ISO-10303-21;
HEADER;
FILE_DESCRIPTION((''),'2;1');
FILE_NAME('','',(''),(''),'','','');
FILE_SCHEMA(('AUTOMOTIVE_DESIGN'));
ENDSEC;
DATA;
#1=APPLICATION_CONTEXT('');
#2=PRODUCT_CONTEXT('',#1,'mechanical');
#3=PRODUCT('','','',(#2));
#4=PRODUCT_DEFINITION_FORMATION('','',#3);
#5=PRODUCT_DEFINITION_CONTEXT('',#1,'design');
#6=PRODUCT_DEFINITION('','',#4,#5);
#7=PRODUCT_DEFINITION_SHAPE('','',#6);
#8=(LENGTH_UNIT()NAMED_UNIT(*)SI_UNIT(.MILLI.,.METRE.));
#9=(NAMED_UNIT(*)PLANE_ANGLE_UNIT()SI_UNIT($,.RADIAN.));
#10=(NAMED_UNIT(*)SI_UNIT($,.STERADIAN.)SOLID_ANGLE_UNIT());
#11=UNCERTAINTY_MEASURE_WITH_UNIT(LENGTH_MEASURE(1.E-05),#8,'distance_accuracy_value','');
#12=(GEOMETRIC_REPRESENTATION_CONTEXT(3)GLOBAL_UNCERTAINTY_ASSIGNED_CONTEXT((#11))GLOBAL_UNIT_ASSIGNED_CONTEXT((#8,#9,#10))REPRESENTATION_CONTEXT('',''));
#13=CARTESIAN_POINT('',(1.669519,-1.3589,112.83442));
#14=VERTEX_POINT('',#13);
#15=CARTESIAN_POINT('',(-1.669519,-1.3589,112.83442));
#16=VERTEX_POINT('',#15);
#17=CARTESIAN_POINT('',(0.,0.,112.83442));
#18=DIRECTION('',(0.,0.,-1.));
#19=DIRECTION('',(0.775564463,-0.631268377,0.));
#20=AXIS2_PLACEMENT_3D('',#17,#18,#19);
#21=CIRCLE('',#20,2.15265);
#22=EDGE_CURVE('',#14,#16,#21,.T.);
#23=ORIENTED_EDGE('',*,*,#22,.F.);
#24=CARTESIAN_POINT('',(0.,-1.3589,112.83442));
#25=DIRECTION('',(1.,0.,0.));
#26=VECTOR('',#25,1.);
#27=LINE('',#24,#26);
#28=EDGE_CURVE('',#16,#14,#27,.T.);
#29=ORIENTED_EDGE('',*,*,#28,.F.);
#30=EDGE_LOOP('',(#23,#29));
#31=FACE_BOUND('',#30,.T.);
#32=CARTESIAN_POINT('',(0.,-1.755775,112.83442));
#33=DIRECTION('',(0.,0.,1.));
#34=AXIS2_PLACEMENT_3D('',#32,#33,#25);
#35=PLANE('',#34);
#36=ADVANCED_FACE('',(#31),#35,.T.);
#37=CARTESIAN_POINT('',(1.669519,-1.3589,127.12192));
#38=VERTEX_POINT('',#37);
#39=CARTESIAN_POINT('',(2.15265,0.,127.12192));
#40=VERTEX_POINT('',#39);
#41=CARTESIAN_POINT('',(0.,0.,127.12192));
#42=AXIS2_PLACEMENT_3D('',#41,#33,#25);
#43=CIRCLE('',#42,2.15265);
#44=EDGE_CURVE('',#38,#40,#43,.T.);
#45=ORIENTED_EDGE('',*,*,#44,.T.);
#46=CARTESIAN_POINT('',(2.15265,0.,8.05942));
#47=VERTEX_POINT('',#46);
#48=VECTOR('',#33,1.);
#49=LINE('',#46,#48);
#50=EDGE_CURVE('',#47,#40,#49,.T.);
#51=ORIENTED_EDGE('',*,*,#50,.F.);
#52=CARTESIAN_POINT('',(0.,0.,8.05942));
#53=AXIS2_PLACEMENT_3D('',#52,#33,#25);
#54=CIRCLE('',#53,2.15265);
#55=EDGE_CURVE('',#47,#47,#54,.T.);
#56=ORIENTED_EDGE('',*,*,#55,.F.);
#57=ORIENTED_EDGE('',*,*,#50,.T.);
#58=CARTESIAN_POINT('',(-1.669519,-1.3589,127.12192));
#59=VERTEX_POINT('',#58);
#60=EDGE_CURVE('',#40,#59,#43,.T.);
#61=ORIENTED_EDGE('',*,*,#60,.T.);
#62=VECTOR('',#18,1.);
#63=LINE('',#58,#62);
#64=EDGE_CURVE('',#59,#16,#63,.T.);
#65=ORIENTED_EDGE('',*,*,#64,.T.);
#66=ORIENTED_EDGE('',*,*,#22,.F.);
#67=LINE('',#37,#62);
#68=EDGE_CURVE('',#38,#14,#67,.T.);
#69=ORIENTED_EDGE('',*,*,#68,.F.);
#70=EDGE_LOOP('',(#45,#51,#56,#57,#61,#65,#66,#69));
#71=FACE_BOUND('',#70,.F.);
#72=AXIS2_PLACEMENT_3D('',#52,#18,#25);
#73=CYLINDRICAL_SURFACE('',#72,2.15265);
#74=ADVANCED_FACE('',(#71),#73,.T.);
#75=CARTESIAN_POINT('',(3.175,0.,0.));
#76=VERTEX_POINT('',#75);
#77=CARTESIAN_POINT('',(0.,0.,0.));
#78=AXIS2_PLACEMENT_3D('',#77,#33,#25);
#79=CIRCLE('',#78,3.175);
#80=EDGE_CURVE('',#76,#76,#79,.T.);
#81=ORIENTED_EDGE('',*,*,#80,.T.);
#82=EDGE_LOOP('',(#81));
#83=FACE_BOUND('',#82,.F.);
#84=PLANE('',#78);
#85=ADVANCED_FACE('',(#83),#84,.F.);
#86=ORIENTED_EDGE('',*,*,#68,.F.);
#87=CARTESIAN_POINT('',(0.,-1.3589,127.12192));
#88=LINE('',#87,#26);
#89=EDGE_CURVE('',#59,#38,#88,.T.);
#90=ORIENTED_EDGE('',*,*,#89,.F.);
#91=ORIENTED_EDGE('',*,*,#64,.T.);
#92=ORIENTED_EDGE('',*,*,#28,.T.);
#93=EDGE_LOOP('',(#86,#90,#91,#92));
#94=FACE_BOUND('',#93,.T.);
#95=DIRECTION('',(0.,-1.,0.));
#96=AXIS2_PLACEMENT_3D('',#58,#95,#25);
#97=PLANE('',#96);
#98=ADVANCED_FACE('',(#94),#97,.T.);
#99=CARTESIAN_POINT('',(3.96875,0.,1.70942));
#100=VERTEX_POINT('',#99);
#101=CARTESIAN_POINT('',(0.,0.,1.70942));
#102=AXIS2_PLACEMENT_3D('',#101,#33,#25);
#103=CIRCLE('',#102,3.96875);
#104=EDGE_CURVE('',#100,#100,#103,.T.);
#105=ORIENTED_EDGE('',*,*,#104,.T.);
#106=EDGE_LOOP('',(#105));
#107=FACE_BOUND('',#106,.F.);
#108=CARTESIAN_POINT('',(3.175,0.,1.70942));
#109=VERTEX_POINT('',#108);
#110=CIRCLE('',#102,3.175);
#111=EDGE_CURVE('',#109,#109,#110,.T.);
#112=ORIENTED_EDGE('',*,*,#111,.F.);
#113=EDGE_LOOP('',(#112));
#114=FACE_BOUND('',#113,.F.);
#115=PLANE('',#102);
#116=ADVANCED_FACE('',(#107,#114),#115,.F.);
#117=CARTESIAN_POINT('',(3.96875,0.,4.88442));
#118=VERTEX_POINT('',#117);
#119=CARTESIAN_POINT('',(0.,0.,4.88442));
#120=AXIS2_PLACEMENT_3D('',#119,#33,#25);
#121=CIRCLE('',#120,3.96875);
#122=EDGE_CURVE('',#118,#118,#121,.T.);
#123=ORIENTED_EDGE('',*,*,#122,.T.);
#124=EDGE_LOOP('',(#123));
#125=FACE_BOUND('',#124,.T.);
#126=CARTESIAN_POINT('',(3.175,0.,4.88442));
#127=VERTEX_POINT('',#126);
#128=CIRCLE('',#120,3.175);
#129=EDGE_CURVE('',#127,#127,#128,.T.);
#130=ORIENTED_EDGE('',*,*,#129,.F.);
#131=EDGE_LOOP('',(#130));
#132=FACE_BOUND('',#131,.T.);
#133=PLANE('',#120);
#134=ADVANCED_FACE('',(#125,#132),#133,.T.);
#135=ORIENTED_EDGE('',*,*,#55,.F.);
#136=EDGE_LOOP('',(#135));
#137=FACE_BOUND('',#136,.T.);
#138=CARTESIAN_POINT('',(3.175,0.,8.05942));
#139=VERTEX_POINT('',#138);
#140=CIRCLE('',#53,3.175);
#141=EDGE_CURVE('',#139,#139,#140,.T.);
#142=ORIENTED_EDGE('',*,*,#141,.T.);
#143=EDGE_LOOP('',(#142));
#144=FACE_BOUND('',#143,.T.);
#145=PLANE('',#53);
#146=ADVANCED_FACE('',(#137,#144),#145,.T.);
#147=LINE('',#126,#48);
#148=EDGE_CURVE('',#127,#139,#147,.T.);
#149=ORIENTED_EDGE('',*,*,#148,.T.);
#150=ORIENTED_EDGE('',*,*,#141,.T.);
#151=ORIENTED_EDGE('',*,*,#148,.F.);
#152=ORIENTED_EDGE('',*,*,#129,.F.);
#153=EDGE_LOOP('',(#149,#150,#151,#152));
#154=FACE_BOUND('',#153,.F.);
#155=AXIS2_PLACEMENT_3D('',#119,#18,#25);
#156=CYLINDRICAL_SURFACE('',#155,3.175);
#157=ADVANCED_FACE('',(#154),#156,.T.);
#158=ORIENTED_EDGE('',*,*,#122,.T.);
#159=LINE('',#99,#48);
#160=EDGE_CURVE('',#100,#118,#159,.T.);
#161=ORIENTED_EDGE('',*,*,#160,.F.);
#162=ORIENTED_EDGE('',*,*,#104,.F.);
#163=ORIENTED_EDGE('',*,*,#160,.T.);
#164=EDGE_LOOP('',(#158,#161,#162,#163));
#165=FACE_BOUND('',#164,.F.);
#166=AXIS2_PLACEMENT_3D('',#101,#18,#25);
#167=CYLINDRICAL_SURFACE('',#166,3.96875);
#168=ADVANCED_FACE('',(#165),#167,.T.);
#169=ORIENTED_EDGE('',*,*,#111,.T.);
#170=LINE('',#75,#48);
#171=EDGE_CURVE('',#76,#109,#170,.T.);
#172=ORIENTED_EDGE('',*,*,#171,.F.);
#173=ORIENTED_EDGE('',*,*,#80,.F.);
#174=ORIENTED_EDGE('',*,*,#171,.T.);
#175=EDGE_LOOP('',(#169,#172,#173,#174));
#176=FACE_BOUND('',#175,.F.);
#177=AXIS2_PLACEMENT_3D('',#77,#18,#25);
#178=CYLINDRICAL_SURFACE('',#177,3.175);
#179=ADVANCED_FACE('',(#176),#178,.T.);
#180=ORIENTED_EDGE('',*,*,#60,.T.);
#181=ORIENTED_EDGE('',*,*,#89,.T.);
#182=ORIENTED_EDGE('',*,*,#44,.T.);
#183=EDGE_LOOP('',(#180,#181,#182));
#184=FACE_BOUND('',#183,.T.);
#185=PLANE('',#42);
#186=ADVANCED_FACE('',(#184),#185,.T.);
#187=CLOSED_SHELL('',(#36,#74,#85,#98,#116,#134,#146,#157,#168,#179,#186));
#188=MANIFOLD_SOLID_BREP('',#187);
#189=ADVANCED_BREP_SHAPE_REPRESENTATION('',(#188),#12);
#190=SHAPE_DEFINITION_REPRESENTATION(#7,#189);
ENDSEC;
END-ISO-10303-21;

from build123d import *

# Parameters (mm, degrees)
F0_R     = 3.175
F1_DEPTH = 1.70942
F2_R     = 3.96875
F3_DEPTH = 3.175
F4_R     = 3.175
F5_DEPTH = 3.175
F6_R     = 2.15265
F7_DEPTH = 119.0625
F8_W     = 3.339038
F8_H     = 0.79375
F9_DEPTH = 14.2875


with BuildPart() as f1:
    # F0 (on Top) → F1 (new body)
    with BuildSketch(Plane.XY):
        Circle(F0_R)
    extrude(amount=F1_DEPTH)

    # F2 (on face) → F3 (join)
    with BuildSketch(Plane.XY.offset(1.70942)):
        Circle(F2_R)
    extrude(amount=F3_DEPTH)

    # F4 (on face) → F5 (join)
    with BuildSketch(Plane.XY.offset(4.88442)):
        Circle(F4_R)
    extrude(amount=F5_DEPTH)

    # F6 (on face) → F7 (join)
    with BuildSketch(Plane.XY.offset(8.05942)):
        Circle(F6_R)
    extrude(amount=F7_DEPTH)

    # F8 (on face) → F9 (cut)
    with BuildSketch(Plane.XY.offset(127.12192)):
        with Locations((0, -1.755775)):
            Rectangle(F8_W, F8_H)
    extrude(amount=-F9_DEPTH, mode=Mode.SUBTRACT)


solid = f1.part
